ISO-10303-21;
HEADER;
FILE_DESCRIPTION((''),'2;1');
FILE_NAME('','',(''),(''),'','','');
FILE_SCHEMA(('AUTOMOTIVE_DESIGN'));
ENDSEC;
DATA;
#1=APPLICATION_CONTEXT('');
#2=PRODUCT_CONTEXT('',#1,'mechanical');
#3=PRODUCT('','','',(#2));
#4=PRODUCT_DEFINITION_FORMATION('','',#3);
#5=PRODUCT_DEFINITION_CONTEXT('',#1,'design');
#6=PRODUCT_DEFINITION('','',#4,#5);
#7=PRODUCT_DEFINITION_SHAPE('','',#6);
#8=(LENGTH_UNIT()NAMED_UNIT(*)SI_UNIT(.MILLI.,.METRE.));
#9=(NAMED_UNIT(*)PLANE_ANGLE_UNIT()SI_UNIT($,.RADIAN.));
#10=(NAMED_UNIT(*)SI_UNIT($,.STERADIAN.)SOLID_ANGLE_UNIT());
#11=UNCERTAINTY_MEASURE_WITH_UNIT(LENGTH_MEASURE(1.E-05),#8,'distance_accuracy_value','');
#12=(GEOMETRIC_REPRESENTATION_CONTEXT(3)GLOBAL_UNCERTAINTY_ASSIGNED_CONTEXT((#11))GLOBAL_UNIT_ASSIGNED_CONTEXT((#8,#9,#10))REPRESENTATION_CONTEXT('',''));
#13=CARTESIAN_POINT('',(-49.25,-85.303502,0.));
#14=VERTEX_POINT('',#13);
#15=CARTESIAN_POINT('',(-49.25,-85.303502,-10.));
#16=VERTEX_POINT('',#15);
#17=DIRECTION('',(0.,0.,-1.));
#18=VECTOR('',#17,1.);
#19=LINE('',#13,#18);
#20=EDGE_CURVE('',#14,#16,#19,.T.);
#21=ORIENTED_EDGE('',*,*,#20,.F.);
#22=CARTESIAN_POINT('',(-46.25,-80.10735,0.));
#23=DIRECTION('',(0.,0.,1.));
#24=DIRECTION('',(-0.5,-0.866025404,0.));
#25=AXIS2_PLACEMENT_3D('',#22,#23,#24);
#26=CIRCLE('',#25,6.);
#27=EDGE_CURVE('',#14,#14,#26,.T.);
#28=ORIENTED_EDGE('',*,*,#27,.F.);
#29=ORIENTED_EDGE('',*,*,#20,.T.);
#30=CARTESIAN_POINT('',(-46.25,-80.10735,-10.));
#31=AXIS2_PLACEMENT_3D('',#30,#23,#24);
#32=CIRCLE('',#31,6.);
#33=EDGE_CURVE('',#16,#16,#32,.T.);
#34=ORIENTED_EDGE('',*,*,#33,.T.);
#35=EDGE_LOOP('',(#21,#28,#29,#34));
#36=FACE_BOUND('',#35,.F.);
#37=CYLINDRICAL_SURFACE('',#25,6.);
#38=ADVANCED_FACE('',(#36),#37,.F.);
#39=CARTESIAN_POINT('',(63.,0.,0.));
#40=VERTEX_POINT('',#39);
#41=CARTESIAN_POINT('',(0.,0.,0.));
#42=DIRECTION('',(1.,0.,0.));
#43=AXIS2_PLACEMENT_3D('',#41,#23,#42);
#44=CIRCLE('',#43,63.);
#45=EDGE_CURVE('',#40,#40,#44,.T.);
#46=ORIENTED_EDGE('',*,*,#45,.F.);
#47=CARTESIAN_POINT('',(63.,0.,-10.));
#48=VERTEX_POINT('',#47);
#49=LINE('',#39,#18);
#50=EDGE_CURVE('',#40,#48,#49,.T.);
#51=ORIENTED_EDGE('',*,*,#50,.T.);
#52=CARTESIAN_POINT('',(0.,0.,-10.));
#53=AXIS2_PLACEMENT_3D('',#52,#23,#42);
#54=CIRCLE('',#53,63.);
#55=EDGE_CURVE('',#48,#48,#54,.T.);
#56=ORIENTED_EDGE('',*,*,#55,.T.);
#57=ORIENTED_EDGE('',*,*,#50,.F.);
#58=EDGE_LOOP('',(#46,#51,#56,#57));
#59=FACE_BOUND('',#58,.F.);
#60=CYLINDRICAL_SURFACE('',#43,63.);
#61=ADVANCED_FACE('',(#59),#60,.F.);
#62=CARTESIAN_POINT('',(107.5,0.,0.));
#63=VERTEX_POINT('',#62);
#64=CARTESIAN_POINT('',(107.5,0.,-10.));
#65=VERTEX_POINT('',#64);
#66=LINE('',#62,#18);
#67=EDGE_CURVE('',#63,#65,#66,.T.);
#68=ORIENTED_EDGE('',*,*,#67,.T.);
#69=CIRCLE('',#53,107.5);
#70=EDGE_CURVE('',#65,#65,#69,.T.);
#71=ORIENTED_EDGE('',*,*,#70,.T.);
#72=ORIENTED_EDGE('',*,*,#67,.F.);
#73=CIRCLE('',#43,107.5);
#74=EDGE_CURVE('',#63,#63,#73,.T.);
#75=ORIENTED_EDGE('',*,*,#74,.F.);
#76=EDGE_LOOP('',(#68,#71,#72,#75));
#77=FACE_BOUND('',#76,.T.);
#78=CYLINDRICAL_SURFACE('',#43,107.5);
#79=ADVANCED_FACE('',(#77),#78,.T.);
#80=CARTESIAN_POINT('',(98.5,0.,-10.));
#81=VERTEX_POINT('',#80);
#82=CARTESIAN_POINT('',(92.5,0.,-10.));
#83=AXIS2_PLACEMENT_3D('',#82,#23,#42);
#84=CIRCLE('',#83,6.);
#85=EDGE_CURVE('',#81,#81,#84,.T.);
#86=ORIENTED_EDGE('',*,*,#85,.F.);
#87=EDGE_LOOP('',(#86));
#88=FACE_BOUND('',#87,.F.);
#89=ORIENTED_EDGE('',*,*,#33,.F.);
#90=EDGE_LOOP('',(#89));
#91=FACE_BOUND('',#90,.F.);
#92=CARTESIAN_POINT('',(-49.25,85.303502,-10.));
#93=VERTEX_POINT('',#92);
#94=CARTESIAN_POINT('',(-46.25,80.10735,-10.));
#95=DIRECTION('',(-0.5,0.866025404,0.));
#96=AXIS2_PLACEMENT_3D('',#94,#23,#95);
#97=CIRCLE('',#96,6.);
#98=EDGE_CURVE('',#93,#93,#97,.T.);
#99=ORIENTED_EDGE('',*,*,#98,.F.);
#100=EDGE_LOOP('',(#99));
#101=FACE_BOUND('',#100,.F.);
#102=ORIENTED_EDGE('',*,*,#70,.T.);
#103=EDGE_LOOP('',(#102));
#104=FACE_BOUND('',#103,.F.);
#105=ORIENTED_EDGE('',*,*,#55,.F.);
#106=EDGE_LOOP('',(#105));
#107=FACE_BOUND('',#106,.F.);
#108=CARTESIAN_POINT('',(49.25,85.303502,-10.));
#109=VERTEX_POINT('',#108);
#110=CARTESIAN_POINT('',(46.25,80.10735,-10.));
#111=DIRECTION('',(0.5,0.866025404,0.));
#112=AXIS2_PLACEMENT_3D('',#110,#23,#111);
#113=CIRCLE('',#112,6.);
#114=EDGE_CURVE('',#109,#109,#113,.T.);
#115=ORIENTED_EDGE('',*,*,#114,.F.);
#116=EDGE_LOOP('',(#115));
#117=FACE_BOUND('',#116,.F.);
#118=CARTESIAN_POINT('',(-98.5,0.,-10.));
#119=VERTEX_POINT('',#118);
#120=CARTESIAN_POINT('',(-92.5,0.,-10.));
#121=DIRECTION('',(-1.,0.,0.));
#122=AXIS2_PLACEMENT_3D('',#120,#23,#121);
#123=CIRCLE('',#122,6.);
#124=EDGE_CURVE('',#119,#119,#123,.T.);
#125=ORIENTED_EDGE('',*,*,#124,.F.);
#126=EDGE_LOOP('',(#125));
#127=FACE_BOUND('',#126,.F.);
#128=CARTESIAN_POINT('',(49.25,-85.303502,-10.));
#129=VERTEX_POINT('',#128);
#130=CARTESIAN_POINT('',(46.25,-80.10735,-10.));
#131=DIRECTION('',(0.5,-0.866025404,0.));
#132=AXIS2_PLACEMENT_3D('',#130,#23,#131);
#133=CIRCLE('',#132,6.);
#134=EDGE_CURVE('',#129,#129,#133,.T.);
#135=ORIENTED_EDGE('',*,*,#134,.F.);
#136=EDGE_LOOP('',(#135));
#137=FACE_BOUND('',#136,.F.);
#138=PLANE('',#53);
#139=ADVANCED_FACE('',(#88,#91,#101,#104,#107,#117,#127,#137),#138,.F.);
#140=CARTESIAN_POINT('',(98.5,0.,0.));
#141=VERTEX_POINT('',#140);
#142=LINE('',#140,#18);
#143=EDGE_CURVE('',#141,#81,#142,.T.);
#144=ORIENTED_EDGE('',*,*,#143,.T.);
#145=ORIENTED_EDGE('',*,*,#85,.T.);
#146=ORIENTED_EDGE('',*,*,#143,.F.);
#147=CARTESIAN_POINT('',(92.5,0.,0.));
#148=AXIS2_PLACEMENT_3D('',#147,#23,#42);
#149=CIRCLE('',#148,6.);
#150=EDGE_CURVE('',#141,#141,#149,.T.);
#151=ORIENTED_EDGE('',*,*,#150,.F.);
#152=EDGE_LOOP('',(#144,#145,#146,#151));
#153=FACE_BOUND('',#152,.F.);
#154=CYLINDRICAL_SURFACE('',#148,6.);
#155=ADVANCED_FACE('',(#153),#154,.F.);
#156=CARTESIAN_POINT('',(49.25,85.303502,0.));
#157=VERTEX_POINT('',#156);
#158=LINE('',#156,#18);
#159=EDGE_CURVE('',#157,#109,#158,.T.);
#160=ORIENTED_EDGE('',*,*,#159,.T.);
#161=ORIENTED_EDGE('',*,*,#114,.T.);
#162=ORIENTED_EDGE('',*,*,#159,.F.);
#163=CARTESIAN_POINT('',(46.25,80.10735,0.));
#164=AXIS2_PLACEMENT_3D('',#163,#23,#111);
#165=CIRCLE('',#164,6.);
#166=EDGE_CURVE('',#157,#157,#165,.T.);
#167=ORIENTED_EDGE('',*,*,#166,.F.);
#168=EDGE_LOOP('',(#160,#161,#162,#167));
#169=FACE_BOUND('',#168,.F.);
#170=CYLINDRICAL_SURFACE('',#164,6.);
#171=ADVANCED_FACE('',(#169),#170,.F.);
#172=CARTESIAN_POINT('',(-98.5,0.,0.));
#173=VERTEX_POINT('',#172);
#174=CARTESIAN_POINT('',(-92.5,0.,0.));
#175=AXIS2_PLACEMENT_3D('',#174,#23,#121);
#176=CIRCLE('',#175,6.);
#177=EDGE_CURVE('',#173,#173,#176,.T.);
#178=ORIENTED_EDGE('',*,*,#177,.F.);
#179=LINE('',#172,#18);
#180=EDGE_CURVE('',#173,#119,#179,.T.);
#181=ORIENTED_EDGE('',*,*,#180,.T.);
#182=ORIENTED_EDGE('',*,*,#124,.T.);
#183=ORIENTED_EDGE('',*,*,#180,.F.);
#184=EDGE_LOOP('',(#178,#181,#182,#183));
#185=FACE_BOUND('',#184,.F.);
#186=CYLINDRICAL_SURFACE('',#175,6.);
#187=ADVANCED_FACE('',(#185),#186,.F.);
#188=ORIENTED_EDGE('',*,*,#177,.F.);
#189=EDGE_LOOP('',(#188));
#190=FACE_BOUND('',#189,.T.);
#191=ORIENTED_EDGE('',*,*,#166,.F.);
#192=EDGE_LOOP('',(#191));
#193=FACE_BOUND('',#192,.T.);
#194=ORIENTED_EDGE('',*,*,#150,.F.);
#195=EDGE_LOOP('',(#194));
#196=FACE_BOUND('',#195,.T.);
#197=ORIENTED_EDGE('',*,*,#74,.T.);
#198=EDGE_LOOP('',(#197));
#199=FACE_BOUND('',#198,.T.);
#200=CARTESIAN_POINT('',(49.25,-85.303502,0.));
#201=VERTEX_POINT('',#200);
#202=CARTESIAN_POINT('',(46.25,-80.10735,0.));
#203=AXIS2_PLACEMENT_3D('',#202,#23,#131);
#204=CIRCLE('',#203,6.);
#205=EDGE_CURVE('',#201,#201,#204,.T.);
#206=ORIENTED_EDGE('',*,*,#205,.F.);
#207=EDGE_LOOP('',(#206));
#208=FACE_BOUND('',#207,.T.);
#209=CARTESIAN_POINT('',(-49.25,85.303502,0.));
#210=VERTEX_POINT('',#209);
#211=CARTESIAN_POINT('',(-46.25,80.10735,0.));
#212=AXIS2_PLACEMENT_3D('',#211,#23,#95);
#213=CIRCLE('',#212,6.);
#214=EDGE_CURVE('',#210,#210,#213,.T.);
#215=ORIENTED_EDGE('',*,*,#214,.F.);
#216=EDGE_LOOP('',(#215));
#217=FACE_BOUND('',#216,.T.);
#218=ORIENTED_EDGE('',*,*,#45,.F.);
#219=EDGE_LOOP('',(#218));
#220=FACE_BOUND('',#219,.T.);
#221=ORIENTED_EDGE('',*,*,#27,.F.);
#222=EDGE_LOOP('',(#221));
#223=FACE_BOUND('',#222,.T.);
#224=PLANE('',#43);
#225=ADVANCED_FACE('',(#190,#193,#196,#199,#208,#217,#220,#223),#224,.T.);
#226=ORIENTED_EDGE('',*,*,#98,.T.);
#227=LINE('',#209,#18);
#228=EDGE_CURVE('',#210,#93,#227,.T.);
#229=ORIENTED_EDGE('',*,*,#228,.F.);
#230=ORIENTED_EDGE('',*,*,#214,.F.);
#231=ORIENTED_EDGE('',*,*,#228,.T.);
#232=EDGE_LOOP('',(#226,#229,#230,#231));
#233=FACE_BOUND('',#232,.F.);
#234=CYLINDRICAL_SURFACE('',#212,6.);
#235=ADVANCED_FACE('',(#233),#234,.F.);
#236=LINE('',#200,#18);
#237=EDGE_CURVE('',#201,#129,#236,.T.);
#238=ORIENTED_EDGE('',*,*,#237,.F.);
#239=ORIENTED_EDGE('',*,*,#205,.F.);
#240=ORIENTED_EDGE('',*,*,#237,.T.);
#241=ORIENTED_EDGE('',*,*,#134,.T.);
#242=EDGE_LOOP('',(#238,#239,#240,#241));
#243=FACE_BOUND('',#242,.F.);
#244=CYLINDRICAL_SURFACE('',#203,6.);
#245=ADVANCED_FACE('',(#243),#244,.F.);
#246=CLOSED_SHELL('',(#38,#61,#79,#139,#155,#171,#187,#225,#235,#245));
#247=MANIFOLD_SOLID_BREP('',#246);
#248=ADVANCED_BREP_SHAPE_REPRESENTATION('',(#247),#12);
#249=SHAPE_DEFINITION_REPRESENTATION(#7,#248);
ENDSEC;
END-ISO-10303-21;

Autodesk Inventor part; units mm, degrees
ref_plane "YZ Plane" through (0, 0, 0) normal (1, 0, 0) x (0, 1, 0)
ref_plane "XZ Plane" through (0, 0, 0) normal (0, 1, 0) x (-1, 0, 0)
ref_plane "XY Plane" through (0, 0, 0) normal (0, 0, 1) x (1, 0, 0)
sketch "Sketch1" plane through (0, 0, 0) normal (0, 0, 1) x (1, 0, 0)
  circle A0 centre (0, 0) radius 63
  circle A1 centre (0, 0) radius 107.5
  dimension "d0" = 126
  dimension "d1" = 215
extrude "Extrusion1" add sketch "Sketch1" against normal blind 10
sketch "Sketch3" plane through (0, 0, 0) normal (0, 0, 1) x (1, 0, 0)
  circle A0 centre (92.5, 0) radius 6
  circle A1 centre (0, 0) radius 92.5 construction
  dimension "d4" = 185
  dimension "d5" = 12
extrude "Cut1" cut sketch "Sketch3" against normal blind 10
pattern_circular "Circular Pattern1" count 6 over 360 about axis through (0, 0, 0) along (0, 0, -1) of "Cut1"
equation "\"d4\" = back_steel_circle_диам_центров"
equation "\"d7\" = Thickness"
equation "\"BendReliefDepth\" = 0.5 * Thickness"
equation "\"back_steel_circle_диам_центров\" = 185"
equation "\"Thickness\" = 10"
properties part number "NVPH-332 tube flange 1"
